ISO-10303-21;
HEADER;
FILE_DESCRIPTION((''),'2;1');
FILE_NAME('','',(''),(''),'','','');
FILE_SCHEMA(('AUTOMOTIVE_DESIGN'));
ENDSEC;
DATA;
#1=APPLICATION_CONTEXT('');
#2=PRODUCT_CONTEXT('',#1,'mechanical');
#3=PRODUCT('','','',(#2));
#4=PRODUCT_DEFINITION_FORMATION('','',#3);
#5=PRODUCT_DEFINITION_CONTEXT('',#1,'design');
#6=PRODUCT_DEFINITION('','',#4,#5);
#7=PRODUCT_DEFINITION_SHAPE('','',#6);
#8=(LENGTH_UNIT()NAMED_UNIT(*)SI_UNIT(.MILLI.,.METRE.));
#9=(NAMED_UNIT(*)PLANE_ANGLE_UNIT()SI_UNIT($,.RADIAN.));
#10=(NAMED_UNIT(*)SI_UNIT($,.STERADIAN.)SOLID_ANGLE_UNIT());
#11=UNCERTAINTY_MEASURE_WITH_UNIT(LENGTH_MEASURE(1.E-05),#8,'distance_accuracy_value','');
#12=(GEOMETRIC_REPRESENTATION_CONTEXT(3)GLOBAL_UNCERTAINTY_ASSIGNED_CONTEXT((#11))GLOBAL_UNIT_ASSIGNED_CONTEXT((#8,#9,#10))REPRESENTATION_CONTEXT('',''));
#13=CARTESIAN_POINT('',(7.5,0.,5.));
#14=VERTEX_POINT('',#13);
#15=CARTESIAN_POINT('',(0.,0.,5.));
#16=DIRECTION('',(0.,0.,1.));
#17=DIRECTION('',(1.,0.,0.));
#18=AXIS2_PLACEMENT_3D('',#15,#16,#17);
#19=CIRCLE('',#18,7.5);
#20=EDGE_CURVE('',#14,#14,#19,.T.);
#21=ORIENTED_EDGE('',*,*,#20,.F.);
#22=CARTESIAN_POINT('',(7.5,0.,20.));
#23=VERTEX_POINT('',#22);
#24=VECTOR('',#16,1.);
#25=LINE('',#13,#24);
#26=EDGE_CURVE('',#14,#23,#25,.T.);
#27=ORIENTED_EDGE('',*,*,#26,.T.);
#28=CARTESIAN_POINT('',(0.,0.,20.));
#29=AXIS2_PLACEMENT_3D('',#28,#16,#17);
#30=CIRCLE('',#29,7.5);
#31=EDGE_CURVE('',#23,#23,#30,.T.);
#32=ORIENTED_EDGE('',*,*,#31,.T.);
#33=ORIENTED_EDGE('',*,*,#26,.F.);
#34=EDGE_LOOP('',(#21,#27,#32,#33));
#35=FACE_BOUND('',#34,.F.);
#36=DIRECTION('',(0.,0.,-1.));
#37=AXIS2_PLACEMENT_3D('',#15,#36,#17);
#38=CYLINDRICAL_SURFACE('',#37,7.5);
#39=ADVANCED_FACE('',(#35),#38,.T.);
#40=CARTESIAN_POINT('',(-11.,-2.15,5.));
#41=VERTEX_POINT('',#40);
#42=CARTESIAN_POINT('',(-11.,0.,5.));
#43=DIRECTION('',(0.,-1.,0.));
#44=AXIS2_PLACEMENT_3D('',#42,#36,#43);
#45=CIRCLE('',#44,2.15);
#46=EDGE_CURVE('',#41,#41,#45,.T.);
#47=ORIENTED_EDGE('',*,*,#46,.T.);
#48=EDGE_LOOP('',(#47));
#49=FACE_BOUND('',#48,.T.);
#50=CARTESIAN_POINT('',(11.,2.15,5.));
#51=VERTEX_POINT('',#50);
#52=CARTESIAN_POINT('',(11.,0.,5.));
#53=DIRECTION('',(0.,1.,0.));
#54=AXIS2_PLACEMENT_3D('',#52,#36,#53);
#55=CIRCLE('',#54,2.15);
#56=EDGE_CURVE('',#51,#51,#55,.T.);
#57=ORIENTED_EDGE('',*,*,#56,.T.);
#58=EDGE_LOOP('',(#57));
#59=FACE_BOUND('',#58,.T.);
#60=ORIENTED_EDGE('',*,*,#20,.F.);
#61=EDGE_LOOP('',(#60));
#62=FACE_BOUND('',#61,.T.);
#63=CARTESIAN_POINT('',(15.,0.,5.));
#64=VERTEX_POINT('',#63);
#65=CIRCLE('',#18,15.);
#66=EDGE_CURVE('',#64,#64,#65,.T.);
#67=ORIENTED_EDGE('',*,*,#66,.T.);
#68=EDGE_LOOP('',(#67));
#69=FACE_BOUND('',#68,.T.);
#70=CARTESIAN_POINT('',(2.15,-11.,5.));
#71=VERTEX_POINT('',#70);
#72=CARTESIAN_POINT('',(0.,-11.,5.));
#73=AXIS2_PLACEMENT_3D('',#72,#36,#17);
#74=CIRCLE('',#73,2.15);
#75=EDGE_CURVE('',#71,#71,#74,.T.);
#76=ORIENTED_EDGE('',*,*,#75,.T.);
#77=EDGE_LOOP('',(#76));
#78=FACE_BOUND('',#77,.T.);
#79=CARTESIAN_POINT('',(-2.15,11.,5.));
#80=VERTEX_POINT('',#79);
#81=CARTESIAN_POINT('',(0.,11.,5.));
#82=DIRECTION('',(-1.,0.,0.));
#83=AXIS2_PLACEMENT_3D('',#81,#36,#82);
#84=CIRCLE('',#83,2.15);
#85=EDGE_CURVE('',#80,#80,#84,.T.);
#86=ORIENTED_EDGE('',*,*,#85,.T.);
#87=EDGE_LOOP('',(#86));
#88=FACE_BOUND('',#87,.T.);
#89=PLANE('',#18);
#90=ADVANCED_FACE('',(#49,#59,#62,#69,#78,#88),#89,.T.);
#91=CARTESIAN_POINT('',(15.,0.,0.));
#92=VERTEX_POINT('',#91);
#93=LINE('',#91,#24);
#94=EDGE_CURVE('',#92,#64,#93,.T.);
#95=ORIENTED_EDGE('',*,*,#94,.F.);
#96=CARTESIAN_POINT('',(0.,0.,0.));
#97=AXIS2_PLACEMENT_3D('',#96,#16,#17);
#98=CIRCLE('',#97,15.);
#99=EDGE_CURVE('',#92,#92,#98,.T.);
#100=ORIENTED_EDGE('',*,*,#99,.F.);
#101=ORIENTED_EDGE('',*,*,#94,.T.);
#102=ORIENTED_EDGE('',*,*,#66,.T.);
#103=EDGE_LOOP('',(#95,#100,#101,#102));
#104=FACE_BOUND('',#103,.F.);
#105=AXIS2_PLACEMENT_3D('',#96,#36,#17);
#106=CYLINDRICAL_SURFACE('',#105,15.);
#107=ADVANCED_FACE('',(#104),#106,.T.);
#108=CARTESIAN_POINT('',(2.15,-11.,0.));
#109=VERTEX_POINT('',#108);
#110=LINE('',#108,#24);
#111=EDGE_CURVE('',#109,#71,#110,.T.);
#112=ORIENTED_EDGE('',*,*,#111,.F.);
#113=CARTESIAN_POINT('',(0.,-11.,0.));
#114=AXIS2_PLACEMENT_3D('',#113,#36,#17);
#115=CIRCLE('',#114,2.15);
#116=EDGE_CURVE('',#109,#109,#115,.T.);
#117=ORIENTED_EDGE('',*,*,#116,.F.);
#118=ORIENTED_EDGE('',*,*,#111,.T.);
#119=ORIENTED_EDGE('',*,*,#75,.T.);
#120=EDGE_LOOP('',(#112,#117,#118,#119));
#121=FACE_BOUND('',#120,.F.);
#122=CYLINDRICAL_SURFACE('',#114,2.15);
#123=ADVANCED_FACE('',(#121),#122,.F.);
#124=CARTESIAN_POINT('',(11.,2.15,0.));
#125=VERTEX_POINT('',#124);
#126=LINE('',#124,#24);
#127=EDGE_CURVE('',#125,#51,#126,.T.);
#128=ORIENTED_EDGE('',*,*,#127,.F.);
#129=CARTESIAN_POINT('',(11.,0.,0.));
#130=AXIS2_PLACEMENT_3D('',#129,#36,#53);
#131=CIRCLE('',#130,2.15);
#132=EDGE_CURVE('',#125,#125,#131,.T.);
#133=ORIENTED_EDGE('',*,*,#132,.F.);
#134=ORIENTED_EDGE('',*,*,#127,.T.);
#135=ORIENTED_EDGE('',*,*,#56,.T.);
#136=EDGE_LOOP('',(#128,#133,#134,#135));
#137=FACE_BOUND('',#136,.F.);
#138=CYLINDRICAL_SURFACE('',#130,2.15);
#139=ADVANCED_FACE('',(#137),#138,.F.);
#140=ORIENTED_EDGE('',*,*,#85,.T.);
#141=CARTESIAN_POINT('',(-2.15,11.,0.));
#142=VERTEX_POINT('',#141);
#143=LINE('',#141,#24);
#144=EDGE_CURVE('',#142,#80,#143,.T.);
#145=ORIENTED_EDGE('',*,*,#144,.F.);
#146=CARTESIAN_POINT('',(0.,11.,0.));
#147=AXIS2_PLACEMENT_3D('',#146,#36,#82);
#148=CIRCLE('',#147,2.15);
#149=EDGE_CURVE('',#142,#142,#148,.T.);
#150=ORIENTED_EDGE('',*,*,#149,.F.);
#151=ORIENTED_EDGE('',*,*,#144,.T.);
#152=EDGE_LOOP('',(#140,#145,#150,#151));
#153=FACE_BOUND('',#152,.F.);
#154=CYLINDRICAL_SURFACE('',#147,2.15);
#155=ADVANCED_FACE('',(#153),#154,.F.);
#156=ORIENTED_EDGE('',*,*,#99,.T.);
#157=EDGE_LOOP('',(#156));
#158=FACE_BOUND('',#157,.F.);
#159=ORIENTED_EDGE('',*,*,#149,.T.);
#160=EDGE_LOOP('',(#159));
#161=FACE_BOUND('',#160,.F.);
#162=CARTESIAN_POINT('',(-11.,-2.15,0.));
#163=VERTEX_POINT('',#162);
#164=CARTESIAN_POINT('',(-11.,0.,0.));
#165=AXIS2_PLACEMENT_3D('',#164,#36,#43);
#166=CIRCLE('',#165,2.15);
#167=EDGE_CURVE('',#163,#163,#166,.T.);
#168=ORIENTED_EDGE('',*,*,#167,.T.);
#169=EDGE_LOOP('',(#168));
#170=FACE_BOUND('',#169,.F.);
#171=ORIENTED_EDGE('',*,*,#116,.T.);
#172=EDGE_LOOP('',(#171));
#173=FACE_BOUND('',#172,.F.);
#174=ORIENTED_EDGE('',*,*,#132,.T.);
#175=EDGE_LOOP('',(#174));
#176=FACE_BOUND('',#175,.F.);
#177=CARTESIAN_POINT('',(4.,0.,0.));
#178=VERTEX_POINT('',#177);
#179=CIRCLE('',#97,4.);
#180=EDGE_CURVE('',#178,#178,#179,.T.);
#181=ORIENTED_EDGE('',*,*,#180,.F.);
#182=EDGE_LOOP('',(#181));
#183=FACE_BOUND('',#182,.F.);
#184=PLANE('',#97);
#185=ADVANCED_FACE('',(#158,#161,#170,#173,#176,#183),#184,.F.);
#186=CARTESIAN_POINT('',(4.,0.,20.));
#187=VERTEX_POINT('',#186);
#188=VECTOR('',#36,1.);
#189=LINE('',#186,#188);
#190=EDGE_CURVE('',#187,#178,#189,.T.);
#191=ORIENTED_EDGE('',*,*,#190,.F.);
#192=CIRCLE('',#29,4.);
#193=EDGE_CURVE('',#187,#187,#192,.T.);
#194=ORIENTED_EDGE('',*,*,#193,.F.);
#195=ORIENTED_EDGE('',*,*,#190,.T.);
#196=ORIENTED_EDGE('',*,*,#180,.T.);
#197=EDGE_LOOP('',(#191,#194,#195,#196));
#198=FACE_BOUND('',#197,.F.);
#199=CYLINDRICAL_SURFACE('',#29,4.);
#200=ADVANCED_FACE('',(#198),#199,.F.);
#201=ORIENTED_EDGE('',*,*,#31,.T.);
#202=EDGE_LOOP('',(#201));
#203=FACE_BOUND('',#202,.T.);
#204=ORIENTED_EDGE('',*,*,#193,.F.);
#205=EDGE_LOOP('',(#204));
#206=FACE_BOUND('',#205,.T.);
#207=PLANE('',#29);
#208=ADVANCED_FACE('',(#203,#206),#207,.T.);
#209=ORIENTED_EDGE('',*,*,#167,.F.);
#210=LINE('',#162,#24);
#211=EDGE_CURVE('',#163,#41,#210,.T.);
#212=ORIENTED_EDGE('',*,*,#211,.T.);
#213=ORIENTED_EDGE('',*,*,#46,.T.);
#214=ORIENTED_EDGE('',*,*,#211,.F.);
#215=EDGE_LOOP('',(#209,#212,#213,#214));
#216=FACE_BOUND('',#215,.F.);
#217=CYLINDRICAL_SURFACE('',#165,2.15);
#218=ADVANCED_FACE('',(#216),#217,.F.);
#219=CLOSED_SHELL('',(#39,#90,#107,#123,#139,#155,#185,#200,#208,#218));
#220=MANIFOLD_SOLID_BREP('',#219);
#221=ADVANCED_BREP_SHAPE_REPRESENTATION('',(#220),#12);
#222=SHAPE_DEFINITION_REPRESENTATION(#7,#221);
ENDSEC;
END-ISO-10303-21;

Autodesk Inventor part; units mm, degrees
ref_plane "YZ Plane" through (0, 0, 0) normal (1, 0, 0) x (0, 1, 0)
ref_plane "XZ Plane" through (0, 0, 0) normal (0, 1, 0) x (-1, 0, 0)
ref_plane "XY Plane" through (0, 0, 0) normal (0, 0, 1) x (1, 0, 0)
sketch "Sketch1" plane through (0, 0, 0) normal (0, 0, 1) x (1, 0, 0)
  circle A0 centre (0, 0) radius 15
  dimension "d0" = 30
extrude "Extrusion1" add sketch "Sketch1" along normal blind 5
sketch "Sketch2" plane through (0, 0, 5) normal (0, 0, 1) x (1, 0, 0)
  circle A0 centre (0, 0) radius 15 projected
  circle A1 centre (0, 0) radius 7.5
  dimension "d4" = 15
extrude "Extrusion2" add sketch "Sketch2" along normal blind 15 contours A1
sketch "Sketch3" plane through (0, 0, 20) normal (0, 0, 1) x (1, 0, 0)
  circle A0 centre (0, 0) radius 7.5 projected
  circle A1 centre (0, 0) radius 4
  dimension "d8" = 8
extrude "Extrusion3" cut sketch "Sketch3" against normal through all contours A1
sketch "Sketch4" plane through (0, 0, 0) normal (0, 0, -1) x (-1, 0, 0)
  circle A0 centre (0, 0) radius 4 projected
  circle A1 centre (0, 11) radius 2.15
  dimension "d13" = 11
  dimension "d14" = 4.3
extrude "Extrusion4" cut sketch "Sketch4" against normal through all contours A1
pattern_circular "Circular Pattern1" count 4 over 360 about axis through (0, 0, 0) along (0, 0, 1) of "Extrusion4"
properties part number "lead nut"
